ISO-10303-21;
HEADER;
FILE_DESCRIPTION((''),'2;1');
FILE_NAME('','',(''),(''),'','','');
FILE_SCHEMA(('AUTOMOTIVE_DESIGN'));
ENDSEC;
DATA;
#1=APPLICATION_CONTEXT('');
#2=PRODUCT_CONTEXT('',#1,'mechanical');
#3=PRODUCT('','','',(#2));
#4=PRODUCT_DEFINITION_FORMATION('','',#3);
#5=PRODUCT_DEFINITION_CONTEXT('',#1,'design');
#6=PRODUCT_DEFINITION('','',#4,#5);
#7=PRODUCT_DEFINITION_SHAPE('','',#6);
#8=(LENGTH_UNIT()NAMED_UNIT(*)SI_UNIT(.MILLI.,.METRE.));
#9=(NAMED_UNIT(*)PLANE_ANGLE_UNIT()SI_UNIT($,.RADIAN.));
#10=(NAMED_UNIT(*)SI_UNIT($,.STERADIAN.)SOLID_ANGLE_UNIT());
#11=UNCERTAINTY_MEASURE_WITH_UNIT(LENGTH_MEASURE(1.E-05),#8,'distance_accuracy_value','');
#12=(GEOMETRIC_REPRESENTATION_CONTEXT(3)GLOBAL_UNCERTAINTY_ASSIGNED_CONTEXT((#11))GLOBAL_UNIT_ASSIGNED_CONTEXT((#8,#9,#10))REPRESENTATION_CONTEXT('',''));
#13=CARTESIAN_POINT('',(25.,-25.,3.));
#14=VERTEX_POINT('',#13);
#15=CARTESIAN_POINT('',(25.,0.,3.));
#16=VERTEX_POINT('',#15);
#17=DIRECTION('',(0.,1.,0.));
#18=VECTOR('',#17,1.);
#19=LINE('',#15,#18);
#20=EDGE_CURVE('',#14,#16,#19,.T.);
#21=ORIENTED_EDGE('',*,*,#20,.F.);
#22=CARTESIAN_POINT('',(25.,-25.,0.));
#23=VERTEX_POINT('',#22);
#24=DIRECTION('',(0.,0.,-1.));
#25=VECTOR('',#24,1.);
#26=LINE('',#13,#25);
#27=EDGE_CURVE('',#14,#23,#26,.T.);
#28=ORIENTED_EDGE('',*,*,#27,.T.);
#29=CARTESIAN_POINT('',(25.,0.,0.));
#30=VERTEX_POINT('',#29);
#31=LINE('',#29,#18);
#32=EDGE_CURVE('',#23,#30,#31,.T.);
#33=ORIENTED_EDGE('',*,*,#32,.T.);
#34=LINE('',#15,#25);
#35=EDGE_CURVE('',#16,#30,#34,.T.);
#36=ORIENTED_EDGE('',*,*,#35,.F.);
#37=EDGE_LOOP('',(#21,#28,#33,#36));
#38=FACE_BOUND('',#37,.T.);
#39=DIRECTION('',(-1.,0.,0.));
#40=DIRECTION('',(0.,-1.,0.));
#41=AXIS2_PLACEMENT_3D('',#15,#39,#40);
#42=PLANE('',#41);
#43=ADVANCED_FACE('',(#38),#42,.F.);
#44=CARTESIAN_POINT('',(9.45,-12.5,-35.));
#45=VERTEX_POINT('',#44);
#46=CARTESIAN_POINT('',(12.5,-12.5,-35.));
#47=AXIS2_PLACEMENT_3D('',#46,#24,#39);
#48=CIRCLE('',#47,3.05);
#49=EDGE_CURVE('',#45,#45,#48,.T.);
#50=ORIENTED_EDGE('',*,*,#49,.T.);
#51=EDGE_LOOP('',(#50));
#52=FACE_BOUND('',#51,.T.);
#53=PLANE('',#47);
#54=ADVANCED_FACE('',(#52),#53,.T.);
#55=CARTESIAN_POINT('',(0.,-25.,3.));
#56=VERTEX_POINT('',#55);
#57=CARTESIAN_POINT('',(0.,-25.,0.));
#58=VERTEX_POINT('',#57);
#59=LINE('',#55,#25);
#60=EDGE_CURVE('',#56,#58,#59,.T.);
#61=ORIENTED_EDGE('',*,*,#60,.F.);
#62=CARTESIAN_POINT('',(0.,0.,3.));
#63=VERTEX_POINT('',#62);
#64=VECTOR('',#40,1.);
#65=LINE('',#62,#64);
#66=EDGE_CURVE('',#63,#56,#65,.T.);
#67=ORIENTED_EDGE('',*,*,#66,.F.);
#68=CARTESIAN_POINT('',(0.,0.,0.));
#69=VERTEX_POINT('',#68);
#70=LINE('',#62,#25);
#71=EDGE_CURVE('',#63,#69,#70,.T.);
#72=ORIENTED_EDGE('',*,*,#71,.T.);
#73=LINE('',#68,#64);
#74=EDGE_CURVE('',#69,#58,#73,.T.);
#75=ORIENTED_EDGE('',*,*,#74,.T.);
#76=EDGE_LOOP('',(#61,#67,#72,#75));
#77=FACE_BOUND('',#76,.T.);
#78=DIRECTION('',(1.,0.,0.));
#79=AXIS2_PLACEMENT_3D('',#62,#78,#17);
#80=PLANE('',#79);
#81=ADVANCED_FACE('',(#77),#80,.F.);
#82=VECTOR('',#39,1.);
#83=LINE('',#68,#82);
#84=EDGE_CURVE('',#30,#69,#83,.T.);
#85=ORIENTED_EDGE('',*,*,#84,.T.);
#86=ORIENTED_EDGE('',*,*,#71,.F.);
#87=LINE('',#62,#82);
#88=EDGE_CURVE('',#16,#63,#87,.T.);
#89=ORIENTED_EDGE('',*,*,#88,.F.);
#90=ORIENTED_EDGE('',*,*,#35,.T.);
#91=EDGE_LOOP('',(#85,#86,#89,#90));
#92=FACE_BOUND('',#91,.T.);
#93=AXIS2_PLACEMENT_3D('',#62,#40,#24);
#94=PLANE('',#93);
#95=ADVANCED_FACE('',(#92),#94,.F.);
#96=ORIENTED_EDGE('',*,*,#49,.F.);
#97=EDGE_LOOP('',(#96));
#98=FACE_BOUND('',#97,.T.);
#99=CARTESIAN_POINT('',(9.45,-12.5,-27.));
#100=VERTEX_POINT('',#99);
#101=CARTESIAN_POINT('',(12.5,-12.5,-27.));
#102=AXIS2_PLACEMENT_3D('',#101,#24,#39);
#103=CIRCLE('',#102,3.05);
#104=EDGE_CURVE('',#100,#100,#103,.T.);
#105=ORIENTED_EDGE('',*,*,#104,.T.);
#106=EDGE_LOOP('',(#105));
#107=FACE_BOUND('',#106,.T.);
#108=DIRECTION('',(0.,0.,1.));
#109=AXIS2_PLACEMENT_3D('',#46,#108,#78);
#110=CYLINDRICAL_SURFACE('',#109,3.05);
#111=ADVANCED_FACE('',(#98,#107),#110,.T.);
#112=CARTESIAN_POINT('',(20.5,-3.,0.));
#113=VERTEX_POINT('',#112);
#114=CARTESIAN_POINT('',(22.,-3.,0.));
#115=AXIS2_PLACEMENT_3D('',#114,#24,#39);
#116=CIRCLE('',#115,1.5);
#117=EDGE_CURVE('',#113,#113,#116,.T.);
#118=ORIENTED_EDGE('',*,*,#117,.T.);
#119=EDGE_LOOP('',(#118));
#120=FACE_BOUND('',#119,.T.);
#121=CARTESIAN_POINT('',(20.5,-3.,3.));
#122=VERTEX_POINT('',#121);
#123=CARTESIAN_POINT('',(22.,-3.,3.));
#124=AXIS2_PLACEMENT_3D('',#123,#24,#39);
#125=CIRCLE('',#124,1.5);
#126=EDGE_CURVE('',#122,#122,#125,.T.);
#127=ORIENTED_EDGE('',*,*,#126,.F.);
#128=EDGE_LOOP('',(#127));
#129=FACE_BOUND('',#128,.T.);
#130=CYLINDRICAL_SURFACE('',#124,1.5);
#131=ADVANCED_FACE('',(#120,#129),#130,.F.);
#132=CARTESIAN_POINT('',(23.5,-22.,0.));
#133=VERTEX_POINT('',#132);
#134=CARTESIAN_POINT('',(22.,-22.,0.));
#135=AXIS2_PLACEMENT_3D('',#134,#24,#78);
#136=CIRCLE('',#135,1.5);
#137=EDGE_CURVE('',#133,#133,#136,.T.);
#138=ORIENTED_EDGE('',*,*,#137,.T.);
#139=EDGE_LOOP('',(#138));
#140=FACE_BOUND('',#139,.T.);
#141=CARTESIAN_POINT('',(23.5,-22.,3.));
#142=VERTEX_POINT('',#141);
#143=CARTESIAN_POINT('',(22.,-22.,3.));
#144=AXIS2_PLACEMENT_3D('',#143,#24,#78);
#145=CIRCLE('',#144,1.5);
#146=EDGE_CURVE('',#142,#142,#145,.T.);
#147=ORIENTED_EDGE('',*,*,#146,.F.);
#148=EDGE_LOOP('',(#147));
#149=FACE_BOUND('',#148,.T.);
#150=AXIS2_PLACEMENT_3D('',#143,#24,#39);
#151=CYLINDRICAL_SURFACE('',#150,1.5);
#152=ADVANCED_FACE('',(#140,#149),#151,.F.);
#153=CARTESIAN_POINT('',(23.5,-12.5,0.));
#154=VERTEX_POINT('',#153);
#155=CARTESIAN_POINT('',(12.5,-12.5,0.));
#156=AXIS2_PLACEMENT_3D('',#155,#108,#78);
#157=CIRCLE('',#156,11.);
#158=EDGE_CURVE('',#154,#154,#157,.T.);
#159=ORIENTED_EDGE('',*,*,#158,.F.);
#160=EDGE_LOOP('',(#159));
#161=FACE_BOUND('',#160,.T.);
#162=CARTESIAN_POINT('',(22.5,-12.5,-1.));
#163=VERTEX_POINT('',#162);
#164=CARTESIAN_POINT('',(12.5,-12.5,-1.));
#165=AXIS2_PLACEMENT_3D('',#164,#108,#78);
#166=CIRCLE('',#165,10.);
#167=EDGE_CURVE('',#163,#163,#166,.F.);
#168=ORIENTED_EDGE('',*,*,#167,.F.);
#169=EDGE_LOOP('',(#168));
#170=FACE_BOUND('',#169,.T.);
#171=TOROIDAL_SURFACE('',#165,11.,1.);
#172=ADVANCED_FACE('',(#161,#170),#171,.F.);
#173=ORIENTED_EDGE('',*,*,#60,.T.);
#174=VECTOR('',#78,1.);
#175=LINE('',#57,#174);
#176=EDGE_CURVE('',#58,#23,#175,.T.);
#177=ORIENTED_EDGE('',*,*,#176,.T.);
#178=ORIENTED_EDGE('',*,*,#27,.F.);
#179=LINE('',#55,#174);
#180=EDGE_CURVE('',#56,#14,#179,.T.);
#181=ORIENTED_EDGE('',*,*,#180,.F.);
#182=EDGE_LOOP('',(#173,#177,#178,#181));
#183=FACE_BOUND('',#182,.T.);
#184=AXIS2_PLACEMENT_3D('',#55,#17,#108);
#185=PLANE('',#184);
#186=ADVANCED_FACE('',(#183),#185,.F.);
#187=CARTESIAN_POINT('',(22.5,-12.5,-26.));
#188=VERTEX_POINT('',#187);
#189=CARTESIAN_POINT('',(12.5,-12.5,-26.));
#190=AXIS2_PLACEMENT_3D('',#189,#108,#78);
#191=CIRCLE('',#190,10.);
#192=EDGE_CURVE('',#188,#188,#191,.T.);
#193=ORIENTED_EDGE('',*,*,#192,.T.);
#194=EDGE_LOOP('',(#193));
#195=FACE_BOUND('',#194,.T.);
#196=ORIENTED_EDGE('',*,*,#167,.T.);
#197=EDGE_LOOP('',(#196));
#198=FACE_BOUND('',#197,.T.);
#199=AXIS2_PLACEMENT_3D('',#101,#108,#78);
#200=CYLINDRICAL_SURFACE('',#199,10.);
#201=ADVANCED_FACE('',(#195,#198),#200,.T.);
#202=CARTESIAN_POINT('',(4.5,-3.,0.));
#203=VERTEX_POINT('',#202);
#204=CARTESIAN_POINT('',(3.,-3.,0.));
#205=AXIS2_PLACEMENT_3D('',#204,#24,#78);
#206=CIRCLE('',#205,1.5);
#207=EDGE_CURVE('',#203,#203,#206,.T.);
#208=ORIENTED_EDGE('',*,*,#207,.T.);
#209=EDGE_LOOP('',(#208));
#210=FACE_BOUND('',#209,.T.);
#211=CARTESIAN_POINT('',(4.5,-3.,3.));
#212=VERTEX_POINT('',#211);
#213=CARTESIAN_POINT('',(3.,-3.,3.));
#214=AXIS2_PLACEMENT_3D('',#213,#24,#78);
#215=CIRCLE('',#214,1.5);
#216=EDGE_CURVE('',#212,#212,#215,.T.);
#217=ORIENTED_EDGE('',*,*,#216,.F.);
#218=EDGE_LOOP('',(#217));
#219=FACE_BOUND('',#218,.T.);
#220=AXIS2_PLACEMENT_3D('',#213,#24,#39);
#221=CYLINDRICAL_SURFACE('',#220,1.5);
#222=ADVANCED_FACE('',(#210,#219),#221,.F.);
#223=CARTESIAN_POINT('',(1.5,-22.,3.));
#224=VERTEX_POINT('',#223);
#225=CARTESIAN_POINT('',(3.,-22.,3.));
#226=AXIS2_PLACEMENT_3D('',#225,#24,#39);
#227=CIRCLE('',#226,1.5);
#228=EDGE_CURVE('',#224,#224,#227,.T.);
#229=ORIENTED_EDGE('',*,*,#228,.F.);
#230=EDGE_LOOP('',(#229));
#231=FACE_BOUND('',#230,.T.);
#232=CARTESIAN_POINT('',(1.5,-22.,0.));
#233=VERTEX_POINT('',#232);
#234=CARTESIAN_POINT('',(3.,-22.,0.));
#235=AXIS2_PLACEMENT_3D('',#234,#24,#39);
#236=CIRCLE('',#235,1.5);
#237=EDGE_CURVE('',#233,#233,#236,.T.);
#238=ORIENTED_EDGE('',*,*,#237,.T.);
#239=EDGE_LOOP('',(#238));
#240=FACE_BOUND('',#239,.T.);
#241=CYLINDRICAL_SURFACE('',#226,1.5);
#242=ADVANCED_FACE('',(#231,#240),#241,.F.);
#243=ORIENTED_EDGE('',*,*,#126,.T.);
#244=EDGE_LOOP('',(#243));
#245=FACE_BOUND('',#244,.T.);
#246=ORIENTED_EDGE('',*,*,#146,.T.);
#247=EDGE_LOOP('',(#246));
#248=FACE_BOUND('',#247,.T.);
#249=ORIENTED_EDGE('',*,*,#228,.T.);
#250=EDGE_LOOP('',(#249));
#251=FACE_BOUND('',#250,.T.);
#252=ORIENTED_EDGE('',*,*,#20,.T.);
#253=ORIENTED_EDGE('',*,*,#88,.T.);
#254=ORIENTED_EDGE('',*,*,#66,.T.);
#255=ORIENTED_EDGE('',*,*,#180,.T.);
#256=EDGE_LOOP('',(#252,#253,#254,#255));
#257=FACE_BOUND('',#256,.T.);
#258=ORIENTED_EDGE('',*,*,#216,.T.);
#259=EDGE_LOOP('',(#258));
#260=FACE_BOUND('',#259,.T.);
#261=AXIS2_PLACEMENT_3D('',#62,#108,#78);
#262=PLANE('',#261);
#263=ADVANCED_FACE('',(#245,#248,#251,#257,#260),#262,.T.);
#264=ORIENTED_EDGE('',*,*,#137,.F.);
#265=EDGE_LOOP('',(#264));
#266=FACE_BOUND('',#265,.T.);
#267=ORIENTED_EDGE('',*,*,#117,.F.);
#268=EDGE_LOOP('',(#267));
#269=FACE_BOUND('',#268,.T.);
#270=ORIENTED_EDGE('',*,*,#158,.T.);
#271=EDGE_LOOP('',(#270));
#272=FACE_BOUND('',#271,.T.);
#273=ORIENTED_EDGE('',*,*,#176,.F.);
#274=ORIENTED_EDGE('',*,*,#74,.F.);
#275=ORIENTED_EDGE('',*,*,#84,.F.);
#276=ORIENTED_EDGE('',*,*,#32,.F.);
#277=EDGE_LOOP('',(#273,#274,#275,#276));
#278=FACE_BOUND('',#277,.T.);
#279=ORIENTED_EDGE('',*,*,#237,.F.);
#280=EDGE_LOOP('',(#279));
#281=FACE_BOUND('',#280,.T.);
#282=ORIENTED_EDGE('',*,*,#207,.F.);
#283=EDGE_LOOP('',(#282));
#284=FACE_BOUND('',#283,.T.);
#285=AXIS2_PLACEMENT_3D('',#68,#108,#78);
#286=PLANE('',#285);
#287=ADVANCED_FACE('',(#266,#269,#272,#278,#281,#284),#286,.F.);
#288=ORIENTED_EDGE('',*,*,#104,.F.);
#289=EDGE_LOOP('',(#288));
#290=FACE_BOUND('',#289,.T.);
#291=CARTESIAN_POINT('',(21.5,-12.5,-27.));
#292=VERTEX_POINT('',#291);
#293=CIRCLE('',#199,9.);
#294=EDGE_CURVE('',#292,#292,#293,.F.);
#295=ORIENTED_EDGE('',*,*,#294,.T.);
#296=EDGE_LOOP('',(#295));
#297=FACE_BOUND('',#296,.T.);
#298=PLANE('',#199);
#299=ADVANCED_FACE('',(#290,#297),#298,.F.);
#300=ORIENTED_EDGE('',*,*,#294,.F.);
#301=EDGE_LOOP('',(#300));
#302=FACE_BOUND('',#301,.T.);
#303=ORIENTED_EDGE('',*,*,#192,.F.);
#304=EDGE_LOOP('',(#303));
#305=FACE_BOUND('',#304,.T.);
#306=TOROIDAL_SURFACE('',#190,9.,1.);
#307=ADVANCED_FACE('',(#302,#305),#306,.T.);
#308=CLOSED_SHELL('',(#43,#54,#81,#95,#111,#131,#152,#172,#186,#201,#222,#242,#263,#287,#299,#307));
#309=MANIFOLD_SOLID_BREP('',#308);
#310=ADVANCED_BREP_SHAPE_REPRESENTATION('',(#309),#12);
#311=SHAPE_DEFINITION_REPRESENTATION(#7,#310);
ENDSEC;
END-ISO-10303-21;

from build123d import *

# Parameters (mm, degrees)
SKETCH_2_W          = 25
SKETCH_2_H          = 25
EXTRUDE_1_DEPTH     = 3
SKETCH_3_R          = 1.5
CUT_EXTRUDE_2_DEPTH = 4
EXTRUDE_START       = -3
SKETCH_4_R          = 10
EXTRUDE_2_DEPTH     = 27
SKETCH_5_R          = 3.05
EXTRUDE_3_DEPTH     = 8
FILLET_3_R          = 1


with BuildPart() as part:
    # 草图2 → 凸台-拉伸1 (new body)
    with BuildSketch(Plane.XY):
        with Locations((12.5, -12.5)):
            Rectangle(SKETCH_2_W, SKETCH_2_H)
    extrude(amount=EXTRUDE_1_DEPTH)

    # 草图3 → 切除-拉伸2 (cut, through all)
    with BuildSketch(Plane(origin=(0, 0, 0), x_dir=(-1, 0, 0), z_dir=(0, 0, -1))):
        with Locations((-22, -3)):
            Circle(SKETCH_3_R)
        with Locations((-3, -3)):
            Circle(SKETCH_3_R)
        with Locations((-3, -22)):
            Circle(SKETCH_3_R)
        with Locations((-22, -22)):
            Circle(SKETCH_3_R)
    extrude(amount=-CUT_EXTRUDE_2_DEPTH, mode=Mode.SUBTRACT)

    # 草图4 → 凸台-拉伸2 (add)
    with BuildSketch(Plane.XY.offset(3).offset(EXTRUDE_START)):
        with Locations((12.5, -12.5)):
            Circle(SKETCH_4_R)
    extrude(amount=-EXTRUDE_2_DEPTH)

    # 草图5 → 凸台-拉伸3 (add)
    with BuildSketch(Plane(origin=(0, 0, -27), x_dir=(-1, 0, 0), z_dir=(0, 0, -1))):
        with Locations((-12.5, -12.5)):
            Circle(SKETCH_5_R)
    extrude(amount=EXTRUDE_3_DEPTH)

    # 圆角3
    fillet_3_edges = [part.edges().sort_by_distance(p)[0] for p in [
        (2.5, -12.5, -27),
        (2.5, -12.5, 0),
    ]]
    fillet(fillet_3_edges, radius=FILLET_3_R)


solid = part.part
